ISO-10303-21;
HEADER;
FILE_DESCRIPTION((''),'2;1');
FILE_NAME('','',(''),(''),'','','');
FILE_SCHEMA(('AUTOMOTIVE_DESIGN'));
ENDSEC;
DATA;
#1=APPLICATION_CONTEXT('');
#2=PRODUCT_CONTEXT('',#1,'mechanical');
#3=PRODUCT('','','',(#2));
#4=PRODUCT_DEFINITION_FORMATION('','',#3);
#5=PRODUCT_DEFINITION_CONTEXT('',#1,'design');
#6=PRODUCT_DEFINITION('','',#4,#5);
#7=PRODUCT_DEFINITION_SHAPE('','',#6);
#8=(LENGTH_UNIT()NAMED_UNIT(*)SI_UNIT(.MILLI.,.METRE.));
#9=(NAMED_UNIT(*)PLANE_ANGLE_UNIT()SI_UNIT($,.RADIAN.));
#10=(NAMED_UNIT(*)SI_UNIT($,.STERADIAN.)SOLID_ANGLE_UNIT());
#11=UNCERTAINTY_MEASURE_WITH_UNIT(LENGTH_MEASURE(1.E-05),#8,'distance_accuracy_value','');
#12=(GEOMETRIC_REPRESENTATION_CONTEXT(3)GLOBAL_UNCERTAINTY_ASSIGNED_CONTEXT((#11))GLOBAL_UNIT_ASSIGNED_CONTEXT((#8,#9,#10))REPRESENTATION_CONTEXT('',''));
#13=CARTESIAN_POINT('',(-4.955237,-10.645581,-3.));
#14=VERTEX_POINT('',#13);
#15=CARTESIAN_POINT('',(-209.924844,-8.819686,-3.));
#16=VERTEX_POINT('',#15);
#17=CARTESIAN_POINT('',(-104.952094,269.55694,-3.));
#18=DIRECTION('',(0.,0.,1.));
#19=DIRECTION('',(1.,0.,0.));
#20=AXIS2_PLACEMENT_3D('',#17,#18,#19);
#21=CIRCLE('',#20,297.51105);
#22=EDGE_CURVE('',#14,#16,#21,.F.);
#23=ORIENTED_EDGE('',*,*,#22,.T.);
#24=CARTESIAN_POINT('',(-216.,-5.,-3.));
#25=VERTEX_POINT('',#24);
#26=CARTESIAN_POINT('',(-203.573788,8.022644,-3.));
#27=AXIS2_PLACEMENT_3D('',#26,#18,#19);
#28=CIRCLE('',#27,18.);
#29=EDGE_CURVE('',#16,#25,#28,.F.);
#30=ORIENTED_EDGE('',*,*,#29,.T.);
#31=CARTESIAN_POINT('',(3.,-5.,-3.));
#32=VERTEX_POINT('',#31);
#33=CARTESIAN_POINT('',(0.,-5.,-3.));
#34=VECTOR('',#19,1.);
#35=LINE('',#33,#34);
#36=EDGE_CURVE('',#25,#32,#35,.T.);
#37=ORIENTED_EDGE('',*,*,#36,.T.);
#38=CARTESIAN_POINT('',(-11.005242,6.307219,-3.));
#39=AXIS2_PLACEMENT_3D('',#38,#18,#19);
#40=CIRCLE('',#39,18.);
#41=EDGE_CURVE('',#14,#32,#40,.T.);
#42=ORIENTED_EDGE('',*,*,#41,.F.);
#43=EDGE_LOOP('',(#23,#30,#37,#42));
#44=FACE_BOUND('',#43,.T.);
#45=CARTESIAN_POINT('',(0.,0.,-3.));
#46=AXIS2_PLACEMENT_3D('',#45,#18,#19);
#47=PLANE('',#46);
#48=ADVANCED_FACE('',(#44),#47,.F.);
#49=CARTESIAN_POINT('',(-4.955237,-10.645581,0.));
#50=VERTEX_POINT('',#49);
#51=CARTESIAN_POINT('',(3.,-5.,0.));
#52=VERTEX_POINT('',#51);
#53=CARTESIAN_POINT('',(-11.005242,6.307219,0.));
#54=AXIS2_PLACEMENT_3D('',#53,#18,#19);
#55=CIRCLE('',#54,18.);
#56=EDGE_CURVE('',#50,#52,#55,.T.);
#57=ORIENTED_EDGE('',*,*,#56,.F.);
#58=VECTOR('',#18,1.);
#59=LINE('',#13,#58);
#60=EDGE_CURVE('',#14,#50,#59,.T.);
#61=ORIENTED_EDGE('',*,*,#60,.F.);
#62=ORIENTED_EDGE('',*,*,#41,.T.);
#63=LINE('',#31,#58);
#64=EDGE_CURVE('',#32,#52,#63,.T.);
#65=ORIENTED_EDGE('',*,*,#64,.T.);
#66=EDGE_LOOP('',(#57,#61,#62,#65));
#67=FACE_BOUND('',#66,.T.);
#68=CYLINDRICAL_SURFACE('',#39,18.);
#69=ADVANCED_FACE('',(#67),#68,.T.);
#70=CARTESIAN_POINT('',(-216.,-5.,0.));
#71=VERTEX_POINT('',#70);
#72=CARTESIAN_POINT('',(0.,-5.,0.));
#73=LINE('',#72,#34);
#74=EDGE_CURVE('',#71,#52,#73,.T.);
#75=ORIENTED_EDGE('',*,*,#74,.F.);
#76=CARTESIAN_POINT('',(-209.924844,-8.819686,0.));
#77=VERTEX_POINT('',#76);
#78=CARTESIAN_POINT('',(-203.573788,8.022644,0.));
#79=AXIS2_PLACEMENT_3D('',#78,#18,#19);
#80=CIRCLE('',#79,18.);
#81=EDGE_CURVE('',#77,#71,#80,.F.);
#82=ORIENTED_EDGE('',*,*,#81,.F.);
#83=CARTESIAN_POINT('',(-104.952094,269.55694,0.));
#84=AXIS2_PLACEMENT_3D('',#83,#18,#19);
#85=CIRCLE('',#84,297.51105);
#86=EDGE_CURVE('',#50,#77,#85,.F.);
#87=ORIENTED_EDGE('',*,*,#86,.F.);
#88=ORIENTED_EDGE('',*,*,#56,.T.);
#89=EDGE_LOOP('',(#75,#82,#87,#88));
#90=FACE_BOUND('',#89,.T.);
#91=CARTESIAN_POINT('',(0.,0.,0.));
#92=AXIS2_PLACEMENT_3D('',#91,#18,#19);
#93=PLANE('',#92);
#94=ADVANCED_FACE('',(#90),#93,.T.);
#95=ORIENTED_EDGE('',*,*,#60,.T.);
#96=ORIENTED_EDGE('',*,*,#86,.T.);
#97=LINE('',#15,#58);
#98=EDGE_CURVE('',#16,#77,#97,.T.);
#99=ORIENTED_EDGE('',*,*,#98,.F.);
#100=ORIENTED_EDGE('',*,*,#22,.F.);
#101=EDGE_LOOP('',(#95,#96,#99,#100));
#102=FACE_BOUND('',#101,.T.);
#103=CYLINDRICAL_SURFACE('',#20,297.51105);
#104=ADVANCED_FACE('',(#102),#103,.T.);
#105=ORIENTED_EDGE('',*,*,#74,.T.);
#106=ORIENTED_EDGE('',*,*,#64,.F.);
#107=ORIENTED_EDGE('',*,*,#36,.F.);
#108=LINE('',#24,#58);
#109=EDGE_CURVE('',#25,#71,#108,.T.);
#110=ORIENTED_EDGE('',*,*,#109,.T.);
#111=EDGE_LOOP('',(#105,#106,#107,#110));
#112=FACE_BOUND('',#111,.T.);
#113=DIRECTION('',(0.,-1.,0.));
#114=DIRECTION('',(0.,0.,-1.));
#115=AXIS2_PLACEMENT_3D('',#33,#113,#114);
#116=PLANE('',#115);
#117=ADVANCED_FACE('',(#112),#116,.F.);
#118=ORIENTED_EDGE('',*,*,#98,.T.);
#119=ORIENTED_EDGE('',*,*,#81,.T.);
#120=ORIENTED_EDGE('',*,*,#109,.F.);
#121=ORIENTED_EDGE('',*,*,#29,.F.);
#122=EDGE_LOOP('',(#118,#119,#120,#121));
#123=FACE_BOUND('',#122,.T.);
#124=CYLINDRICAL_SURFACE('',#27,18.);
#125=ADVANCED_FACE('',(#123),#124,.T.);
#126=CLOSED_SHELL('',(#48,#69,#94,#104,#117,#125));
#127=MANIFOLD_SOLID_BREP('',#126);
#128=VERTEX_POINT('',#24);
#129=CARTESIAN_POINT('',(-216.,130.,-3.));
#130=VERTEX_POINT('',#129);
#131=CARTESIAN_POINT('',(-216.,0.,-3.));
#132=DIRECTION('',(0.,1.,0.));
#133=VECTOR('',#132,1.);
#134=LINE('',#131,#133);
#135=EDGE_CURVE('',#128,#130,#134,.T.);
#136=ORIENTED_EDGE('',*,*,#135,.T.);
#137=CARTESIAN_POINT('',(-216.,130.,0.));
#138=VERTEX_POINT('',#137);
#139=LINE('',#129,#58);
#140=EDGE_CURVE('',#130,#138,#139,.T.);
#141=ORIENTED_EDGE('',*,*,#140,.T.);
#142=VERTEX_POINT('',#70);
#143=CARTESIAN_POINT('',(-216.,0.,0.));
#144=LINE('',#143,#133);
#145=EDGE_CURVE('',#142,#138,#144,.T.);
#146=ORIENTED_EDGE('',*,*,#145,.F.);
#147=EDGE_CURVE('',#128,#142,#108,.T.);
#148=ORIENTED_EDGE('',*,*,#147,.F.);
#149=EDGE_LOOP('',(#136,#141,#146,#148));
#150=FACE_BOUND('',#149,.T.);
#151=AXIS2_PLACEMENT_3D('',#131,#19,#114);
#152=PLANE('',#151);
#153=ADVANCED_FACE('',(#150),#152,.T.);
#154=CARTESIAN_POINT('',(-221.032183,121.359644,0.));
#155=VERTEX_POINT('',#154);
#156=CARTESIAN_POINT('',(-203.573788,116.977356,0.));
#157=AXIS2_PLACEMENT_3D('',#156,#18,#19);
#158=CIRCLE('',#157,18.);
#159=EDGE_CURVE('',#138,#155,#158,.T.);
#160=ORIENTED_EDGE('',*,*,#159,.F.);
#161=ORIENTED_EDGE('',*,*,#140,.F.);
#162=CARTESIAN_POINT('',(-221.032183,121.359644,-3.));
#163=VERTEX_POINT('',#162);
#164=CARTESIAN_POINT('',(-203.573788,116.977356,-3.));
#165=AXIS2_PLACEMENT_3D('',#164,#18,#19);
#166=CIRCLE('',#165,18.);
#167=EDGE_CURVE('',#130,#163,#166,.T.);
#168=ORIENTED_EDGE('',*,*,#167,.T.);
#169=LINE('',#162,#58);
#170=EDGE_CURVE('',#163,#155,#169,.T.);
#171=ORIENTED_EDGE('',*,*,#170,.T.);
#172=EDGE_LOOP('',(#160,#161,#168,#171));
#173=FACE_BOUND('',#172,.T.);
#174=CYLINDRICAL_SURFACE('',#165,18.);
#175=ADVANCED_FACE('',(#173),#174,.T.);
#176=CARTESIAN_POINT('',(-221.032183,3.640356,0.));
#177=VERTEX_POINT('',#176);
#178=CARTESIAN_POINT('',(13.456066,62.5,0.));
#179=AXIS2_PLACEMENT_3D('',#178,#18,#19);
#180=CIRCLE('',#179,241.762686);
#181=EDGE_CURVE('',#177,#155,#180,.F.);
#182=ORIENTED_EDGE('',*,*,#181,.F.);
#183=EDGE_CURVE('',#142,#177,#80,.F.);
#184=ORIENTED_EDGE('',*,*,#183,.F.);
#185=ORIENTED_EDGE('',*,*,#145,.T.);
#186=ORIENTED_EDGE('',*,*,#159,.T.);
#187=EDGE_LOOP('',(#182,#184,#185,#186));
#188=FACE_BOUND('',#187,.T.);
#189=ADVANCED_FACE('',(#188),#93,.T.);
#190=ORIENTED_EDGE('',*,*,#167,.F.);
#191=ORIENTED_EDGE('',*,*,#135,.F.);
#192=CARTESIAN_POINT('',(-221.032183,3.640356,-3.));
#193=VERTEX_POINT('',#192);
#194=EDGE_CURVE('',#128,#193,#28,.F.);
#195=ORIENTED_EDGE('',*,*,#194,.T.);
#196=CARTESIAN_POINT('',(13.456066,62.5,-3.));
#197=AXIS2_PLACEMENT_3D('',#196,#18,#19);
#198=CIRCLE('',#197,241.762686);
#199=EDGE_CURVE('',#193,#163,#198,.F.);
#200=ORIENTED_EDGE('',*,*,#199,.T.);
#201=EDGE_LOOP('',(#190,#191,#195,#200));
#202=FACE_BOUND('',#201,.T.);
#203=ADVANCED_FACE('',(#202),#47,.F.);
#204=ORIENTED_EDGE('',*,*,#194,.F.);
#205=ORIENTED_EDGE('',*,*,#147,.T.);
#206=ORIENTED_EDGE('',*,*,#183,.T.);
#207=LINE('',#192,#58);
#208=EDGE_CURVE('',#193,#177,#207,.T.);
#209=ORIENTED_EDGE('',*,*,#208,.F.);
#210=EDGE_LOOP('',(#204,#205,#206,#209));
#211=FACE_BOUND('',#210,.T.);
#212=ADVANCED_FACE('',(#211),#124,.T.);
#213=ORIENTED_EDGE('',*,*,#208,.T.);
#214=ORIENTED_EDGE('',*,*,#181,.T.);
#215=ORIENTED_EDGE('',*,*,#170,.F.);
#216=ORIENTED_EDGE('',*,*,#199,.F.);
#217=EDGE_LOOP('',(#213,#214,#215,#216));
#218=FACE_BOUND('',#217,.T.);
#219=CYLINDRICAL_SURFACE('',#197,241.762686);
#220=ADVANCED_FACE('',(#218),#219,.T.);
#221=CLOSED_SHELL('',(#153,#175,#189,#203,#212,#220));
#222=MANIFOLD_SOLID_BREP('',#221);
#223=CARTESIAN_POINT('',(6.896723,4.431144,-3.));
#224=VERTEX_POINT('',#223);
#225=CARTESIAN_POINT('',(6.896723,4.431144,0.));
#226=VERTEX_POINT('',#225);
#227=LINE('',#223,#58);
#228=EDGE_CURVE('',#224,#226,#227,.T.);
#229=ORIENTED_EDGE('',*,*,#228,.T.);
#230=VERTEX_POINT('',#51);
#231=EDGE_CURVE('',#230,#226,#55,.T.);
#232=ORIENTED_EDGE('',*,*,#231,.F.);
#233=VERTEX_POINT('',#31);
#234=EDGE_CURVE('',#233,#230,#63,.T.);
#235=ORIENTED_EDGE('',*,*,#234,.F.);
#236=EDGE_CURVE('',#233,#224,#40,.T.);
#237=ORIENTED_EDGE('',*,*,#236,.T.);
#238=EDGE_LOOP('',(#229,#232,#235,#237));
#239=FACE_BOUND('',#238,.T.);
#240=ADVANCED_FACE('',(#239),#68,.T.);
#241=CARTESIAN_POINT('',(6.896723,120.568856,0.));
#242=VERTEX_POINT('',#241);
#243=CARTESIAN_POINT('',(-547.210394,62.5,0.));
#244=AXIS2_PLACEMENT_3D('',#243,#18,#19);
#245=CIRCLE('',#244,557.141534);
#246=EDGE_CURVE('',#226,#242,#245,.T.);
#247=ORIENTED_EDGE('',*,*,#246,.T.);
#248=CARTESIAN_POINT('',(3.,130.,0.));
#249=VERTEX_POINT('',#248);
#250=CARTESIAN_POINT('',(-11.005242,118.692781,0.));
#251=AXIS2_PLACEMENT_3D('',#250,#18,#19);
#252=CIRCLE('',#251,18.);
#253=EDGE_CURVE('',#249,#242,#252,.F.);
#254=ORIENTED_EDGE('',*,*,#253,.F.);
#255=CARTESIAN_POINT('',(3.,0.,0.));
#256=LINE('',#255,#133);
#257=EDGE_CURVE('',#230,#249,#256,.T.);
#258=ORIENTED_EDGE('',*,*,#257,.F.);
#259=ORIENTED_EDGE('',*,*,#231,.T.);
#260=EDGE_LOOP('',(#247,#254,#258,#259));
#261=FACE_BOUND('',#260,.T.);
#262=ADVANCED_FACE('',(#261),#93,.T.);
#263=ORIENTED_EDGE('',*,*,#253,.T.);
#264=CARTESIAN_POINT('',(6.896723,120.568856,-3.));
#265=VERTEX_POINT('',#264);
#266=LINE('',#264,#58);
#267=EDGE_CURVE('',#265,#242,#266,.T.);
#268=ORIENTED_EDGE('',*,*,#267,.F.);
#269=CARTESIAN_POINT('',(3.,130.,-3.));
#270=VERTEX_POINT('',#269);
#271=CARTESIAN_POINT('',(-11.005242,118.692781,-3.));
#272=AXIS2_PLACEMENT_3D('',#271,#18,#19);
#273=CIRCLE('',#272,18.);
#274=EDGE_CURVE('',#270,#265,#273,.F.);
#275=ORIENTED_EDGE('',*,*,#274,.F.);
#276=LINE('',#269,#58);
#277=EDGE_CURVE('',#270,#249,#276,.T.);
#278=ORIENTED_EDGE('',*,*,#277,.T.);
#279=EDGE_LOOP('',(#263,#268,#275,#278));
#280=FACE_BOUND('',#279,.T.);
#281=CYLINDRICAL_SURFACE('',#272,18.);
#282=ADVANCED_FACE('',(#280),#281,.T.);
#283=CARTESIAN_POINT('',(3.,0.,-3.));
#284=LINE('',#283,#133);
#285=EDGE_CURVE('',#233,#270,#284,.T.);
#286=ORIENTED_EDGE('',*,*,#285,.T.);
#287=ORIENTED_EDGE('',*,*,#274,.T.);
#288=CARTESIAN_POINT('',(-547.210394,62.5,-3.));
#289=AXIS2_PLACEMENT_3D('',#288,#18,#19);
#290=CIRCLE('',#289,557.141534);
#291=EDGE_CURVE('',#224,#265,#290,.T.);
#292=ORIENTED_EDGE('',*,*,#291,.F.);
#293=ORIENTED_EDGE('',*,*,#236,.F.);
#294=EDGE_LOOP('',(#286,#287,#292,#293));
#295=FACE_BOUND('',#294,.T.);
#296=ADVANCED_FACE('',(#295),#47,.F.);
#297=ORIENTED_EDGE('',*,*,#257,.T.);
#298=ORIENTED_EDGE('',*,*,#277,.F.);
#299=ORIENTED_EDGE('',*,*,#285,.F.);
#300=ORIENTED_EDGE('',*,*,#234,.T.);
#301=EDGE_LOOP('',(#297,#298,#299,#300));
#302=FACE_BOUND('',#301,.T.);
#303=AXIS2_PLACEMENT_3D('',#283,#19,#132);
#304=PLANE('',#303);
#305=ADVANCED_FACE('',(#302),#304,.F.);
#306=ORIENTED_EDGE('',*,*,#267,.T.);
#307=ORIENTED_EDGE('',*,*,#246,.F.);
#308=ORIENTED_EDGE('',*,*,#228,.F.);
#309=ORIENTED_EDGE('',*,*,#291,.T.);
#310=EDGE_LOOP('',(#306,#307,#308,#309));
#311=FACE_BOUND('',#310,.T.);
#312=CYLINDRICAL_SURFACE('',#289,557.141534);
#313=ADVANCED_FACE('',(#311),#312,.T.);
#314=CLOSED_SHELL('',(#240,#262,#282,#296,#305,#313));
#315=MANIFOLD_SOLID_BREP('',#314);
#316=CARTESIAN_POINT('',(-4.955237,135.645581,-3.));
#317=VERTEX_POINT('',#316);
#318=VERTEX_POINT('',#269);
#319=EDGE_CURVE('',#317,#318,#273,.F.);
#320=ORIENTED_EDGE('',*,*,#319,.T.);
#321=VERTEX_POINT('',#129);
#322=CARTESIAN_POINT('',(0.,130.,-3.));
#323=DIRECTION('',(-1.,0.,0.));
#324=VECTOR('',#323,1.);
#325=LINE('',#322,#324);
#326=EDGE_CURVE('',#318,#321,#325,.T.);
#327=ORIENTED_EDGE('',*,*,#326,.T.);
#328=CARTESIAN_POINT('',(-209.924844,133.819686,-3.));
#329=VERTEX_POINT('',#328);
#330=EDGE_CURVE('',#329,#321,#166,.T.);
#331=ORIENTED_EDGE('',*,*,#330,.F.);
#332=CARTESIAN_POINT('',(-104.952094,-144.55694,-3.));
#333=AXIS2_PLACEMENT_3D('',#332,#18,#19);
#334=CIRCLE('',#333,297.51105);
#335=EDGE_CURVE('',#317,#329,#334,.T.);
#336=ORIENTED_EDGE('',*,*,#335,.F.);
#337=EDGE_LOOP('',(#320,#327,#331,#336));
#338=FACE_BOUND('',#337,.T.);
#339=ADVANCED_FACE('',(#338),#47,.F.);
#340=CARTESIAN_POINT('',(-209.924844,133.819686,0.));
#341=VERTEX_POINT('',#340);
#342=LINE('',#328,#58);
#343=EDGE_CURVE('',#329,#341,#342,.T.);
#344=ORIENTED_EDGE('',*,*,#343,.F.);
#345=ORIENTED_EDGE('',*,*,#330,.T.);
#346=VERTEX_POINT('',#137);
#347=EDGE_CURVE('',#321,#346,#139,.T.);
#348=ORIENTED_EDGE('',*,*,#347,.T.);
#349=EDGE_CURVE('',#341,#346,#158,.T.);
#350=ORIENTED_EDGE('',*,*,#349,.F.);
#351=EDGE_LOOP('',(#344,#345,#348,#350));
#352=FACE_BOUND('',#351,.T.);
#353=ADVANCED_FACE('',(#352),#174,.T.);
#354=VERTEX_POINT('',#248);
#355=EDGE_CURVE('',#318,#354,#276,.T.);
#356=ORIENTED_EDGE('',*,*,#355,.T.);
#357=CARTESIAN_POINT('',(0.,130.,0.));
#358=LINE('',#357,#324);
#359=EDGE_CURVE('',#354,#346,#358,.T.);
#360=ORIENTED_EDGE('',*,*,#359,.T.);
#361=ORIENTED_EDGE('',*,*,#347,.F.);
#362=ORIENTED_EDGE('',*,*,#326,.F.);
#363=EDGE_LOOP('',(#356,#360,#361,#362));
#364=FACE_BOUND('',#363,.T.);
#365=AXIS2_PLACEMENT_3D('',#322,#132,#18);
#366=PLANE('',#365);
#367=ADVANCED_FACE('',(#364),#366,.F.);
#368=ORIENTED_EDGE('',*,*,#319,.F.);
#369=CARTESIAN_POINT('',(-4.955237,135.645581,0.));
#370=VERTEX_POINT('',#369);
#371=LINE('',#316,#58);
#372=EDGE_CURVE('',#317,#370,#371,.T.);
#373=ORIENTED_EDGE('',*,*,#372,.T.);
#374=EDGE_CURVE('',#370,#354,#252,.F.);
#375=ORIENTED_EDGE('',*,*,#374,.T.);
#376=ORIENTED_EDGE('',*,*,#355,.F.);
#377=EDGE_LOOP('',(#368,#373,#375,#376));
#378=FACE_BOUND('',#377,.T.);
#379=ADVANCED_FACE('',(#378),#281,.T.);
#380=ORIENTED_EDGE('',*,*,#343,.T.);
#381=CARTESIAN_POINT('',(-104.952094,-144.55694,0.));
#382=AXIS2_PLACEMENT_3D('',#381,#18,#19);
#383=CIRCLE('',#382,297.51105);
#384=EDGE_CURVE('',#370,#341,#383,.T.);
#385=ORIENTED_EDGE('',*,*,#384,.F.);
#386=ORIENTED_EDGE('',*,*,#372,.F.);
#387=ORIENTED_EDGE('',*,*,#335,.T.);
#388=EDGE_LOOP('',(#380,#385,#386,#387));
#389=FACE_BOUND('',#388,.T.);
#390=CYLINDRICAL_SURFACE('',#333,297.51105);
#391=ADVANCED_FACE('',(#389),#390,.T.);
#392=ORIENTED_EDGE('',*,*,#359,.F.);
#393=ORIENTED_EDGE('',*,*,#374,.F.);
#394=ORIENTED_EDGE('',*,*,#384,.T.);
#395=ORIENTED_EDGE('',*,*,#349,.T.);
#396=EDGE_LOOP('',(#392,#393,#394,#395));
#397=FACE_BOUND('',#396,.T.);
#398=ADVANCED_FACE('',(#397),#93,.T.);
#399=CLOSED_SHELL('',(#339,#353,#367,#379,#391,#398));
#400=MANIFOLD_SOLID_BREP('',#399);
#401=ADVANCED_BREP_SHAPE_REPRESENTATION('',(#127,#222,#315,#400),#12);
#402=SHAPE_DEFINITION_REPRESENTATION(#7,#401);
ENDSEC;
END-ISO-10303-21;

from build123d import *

# Parameters (mm, degrees)
BOSS_EXTRUDE1_DEPTH = 3


with BuildPart() as part:
    # Sketch1 → Boss-Extrude1 (new body)
    with BuildSketch(Plane.XY):
        with BuildLine():
            Line((-216, -5), (-216, 130))
            ThreePointArc((-216, 130), (-219.128091815, 126.036253786), (-221.032182674, 121.359643853))
            ThreePointArc((-221.032182674, 121.359643853), (-228.306620217, 62.5), (-221.032182674, 3.640356147))
            ThreePointArc((-221.032182674, 3.640356147), (-219.128091815, -1.036253786), (-216, -5))
        make_face()
        with BuildLine():
            Line((-153, -5), (-156, -5))
            Line((-156, -5), (-216, -5))
            ThreePointArc((-216, -5), (-213.154704, -7.215664753), (-209.924844222, -8.819686401))
            ThreePointArc((-209.924844222, -8.819686401), (-107.602254406, -27.942305472), (-4.95523653, -10.645581267))
            ThreePointArc((-4.95523653, -10.645581267), (-0.587882217, -8.37197101), (3, -5))
            Line((3, -5), (-56.661530308, -5))
            Line((-56.661530308, -5), (-116.661530308, -5))
            Line((-116.661530308, -5), (-153, -5))
        make_face()
        with BuildLine():
            Line((-156, 130), (-153, 130))
            Line((-153, 130), (3, 130))
            ThreePointArc((3, 130), (-0.587882217, 133.37197101), (-4.95523653, 135.645581267))
            ThreePointArc((-4.95523653, 135.645581267), (-107.602254406, 152.942305472), (-209.924844222, 133.819686401))
            ThreePointArc((-209.924844222, 133.819686401), (-213.154704, 132.215664753), (-216, 130))
            Line((-216, 130), (-156, 130))
        make_face()
        with BuildLine():
            Line((9.931140136, 62.5), (3, 62.5))
            Line((3, 62.5), (3, -2))
            Line((3, -2), (3, -5))
            ThreePointArc((3, -5), (5.630685427, -0.566348055), (6.896722896, 4.431143767))
            ThreePointArc((6.896722896, 4.431143767), (9.172018663, 33.425957659), (9.931140136, 62.5))
        make_face()
        with BuildLine():
            ThreePointArc((6.896722896, 120.568856233), (5.630685427, 125.566348055), (3, 130))
            Line((3, 130), (3, 127))
            Line((3, 127), (3, 62.5))
            Line((3, 62.5), (9.931140136, 62.5))
            ThreePointArc((9.931140136, 62.5), (9.172018663, 91.574042341), (6.896722896, 120.568856233))
        make_face()
    extrude(amount=-BOSS_EXTRUDE1_DEPTH)


solid = part.part
